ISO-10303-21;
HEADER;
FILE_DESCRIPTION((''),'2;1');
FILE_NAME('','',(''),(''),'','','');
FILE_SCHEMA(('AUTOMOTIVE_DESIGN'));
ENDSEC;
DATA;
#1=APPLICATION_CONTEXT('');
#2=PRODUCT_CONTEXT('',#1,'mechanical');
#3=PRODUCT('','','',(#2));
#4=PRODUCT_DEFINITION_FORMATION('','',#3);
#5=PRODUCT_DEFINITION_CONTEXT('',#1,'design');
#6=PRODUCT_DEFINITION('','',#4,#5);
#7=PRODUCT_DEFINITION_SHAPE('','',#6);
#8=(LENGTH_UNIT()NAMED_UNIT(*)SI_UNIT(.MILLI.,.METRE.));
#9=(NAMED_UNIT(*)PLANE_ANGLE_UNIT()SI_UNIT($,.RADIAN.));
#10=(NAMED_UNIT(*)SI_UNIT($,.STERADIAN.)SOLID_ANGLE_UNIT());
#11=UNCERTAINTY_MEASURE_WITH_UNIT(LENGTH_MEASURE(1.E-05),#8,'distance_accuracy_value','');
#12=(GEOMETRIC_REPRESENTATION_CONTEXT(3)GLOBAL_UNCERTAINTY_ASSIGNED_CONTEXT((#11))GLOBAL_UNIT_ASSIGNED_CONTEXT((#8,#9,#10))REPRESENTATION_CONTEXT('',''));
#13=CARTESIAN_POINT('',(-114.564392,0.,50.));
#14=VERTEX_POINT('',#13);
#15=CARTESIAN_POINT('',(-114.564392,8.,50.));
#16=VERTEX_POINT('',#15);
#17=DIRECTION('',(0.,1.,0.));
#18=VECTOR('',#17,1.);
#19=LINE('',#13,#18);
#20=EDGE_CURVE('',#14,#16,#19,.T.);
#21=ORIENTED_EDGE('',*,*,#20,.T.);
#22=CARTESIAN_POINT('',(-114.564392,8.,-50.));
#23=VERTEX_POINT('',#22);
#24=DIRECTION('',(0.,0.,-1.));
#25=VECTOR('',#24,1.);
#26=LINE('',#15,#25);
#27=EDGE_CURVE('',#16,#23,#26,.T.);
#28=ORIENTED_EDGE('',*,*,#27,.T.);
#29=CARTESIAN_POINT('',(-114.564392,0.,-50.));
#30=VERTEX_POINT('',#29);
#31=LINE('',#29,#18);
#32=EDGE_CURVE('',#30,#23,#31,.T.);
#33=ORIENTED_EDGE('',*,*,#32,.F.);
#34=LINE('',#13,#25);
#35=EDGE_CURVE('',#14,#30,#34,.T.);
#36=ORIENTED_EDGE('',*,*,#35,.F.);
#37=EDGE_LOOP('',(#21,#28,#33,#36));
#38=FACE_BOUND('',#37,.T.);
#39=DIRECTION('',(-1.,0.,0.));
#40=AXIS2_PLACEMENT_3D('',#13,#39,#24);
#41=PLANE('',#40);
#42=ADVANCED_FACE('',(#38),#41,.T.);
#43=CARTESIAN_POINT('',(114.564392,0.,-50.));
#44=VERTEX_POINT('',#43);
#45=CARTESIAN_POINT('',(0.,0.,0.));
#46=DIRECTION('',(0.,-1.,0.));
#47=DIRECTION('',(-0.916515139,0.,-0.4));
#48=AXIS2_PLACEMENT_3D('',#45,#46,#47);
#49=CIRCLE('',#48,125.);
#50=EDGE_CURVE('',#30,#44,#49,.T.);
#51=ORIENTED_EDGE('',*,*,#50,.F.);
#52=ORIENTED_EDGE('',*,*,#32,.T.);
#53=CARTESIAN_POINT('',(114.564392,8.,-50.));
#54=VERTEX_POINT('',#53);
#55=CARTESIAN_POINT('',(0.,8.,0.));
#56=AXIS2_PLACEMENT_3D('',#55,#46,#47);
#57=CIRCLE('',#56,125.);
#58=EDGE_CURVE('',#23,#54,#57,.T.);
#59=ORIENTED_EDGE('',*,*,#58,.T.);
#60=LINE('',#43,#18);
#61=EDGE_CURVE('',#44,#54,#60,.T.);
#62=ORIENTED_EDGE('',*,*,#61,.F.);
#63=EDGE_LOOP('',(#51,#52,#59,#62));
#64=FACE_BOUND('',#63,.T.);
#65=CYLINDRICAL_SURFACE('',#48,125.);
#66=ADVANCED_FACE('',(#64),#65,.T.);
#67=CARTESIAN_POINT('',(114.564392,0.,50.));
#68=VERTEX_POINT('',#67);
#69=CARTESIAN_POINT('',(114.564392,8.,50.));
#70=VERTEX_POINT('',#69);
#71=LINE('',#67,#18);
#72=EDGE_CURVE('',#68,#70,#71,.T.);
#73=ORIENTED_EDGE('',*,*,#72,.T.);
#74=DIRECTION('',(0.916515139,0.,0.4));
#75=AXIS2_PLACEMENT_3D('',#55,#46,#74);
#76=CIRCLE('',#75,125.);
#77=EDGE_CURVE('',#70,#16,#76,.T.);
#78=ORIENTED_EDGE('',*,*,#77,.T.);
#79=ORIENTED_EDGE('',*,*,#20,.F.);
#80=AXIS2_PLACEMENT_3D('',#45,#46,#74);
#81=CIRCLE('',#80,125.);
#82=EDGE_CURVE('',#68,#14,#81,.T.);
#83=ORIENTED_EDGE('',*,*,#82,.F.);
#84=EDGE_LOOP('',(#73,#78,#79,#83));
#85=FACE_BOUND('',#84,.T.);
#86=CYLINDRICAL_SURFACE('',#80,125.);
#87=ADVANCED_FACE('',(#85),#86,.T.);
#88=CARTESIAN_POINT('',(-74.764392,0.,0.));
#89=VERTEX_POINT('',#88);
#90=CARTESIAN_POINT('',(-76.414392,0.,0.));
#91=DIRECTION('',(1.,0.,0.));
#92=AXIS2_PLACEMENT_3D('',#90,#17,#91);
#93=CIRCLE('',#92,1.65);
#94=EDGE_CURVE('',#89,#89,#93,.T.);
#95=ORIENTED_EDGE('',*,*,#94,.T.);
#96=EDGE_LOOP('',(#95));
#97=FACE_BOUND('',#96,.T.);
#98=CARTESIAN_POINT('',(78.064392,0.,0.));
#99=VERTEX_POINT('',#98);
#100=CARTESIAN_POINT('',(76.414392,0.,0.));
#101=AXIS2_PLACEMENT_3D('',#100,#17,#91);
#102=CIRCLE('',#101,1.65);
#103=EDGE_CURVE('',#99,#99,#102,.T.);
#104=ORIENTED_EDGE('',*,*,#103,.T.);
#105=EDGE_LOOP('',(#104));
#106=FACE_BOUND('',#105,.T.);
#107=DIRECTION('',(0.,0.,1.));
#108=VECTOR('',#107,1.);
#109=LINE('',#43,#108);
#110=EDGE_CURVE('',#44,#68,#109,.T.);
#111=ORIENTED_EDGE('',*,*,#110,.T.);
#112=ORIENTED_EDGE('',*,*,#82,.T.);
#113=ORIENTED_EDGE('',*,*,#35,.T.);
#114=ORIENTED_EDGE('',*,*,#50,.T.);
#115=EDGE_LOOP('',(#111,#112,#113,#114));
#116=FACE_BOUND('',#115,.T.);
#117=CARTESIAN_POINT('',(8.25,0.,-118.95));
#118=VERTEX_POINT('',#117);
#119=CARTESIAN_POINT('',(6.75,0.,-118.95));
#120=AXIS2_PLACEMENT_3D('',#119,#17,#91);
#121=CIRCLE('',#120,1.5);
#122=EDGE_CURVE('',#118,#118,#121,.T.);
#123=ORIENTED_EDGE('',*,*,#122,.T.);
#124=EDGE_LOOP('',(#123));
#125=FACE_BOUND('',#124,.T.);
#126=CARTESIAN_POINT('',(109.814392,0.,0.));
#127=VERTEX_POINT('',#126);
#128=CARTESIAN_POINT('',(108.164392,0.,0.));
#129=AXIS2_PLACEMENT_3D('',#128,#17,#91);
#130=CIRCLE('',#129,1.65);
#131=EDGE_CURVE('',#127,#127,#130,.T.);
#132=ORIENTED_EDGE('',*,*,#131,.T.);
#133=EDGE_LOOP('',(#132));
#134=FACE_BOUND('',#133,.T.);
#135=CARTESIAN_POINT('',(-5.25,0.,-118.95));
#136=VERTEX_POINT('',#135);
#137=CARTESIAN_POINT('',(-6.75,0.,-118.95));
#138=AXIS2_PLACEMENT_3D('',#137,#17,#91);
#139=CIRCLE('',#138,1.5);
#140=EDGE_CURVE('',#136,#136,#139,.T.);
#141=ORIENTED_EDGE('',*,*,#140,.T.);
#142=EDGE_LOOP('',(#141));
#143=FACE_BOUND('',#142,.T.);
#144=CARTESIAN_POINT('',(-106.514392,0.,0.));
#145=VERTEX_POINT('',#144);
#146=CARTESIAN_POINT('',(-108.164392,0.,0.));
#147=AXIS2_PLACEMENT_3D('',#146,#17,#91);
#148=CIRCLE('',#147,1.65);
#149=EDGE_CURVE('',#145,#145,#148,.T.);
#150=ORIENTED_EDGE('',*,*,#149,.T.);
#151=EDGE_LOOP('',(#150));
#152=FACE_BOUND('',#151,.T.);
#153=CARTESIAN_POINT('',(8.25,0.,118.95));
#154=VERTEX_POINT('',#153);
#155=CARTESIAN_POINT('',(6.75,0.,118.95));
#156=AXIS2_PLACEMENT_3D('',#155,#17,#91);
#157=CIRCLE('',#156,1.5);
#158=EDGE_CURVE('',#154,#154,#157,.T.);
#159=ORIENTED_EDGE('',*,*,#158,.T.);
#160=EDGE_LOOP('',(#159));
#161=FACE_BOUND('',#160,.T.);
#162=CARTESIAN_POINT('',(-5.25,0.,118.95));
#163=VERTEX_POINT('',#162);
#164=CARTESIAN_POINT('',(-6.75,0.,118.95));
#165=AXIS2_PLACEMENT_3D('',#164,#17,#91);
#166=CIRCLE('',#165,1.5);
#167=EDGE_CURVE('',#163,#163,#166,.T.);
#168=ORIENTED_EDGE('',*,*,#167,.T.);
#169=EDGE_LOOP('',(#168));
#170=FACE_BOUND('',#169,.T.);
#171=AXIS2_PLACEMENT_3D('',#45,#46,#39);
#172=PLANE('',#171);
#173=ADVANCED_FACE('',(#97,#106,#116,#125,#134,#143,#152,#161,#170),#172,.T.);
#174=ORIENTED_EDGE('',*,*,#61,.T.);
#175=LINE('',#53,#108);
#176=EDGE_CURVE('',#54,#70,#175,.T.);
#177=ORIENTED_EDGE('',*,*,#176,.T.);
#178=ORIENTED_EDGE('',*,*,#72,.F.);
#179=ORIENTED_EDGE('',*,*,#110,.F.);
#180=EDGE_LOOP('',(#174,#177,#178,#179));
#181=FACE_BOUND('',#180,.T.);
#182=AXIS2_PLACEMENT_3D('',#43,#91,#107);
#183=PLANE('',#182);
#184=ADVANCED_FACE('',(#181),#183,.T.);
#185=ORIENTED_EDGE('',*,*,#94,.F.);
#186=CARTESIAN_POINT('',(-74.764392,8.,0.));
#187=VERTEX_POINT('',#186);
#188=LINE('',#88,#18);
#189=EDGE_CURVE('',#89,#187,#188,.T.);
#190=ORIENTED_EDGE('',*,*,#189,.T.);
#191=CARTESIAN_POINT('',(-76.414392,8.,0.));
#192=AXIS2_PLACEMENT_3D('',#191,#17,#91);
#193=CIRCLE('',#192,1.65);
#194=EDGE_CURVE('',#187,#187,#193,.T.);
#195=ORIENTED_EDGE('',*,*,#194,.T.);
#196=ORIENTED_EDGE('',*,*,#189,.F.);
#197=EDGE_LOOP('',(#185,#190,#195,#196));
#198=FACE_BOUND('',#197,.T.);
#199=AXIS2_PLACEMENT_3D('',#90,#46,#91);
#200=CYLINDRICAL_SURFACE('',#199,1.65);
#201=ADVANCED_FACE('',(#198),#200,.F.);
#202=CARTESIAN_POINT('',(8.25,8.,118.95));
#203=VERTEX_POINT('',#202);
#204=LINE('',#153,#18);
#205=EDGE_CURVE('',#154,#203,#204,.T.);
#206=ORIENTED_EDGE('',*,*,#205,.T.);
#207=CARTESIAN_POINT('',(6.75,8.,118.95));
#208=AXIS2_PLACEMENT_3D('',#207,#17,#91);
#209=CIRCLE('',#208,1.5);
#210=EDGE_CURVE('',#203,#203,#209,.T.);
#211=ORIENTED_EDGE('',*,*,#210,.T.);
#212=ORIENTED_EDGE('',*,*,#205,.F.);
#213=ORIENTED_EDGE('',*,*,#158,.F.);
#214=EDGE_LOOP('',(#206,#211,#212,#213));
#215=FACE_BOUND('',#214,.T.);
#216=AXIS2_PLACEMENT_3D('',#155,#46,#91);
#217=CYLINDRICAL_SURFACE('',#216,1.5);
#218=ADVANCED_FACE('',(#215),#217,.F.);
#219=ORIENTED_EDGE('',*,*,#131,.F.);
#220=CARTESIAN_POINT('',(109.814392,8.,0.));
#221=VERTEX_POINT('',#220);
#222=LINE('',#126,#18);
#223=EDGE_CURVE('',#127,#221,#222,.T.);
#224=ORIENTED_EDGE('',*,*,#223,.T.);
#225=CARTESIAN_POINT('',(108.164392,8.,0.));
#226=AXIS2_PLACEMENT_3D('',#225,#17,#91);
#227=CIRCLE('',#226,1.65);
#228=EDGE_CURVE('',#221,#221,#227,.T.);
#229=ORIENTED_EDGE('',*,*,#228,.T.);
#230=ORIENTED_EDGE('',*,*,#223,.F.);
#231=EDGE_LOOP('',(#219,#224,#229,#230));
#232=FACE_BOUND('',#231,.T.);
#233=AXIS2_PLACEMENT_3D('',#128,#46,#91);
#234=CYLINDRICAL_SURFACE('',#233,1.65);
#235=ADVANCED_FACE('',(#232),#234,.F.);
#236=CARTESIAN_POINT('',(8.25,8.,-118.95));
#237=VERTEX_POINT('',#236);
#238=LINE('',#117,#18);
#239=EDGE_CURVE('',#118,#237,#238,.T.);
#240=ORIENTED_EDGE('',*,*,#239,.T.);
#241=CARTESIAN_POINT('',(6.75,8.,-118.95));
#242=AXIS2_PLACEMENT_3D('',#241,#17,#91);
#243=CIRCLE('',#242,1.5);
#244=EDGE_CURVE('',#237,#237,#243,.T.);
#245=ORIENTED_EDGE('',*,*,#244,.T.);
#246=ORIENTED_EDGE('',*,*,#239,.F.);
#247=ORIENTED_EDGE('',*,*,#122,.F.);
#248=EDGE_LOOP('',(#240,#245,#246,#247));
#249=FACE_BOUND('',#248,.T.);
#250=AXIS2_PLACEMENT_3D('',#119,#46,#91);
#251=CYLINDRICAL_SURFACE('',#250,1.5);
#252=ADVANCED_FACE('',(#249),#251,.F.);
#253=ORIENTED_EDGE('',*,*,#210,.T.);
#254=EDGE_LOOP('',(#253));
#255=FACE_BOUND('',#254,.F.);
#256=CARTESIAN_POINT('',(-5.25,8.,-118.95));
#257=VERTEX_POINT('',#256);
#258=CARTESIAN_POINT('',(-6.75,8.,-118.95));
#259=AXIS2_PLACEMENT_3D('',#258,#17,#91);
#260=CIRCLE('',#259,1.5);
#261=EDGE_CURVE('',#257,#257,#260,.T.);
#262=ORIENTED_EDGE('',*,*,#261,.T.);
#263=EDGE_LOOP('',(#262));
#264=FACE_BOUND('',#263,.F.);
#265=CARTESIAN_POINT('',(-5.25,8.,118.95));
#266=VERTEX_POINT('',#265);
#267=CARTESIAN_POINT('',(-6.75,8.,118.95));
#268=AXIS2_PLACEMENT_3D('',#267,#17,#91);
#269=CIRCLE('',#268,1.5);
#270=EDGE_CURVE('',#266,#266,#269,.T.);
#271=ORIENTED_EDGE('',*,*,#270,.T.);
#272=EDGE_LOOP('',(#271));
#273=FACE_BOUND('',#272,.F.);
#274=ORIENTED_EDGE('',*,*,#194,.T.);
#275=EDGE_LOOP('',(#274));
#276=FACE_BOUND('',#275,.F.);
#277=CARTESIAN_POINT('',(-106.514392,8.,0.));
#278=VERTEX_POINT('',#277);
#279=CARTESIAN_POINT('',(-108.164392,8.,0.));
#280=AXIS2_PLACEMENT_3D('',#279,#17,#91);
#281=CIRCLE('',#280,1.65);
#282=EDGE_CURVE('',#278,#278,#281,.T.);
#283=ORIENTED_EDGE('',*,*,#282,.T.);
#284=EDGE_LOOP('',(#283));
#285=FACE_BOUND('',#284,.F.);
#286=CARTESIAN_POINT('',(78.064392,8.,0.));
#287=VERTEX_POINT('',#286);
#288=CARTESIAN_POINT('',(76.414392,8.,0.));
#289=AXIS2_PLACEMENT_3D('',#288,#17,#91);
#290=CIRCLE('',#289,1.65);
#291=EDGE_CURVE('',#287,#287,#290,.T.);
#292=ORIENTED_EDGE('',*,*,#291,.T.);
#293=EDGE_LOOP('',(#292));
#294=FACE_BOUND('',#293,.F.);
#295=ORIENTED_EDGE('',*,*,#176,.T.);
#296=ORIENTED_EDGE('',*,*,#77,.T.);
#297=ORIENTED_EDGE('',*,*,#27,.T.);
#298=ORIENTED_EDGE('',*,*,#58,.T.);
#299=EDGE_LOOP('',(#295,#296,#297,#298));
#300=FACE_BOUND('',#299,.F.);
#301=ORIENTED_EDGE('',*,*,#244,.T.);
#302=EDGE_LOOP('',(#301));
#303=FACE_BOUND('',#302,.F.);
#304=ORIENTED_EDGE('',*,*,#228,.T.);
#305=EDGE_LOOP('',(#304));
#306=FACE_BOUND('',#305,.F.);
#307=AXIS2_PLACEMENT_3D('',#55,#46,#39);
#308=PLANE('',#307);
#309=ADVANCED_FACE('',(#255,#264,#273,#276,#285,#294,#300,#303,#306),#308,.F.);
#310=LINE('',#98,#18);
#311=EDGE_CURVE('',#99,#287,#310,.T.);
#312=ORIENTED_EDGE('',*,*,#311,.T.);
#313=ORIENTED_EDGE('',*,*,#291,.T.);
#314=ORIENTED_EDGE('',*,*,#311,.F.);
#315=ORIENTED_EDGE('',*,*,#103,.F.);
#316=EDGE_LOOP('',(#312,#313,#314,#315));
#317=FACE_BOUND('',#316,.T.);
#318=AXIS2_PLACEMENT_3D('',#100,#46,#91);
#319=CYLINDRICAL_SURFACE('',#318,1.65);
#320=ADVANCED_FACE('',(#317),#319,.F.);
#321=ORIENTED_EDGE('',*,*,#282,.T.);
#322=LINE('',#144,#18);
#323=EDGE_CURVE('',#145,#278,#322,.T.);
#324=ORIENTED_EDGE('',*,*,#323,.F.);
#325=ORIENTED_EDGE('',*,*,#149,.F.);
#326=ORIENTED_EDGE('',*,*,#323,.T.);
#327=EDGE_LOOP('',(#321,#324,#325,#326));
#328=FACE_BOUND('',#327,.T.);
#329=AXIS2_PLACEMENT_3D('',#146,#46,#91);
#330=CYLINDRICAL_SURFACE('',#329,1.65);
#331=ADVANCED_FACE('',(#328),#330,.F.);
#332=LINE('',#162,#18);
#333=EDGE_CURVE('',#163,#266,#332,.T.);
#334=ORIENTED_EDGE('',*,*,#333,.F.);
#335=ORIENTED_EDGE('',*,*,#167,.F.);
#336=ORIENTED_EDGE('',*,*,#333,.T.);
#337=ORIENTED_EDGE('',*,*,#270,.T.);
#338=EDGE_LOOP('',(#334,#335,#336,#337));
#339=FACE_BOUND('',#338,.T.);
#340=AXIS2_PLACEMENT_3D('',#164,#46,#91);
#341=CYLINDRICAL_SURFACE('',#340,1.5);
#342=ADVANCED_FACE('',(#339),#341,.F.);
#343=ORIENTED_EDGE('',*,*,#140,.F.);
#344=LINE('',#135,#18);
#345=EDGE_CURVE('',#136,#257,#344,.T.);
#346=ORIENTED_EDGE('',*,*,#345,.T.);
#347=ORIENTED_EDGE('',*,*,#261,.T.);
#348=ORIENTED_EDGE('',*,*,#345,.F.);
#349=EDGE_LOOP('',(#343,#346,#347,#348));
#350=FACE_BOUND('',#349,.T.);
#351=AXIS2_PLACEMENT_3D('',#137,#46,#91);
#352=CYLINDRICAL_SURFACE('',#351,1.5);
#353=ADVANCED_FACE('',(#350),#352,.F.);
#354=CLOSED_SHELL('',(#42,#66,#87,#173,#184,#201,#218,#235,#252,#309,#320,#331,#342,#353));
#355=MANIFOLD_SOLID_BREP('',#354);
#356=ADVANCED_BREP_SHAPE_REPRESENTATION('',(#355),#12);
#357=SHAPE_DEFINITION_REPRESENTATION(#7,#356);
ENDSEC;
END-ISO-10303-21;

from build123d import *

# Parameters (mm, degrees)
CROQUIS1_R              = 1.65
CROQUIS1_R_2            = 1.5
SALIENTE_EXTRUIR1_DEPTH = 8


with BuildPart() as part:
    # Croquis1 → Saliente-Extruir1 (new body)
    with BuildSketch(Plane(origin=(0, 0, 0), x_dir=(1, 0, 0), z_dir=(0, 1, 0))):
        with BuildLine():
            Line((-114.564392374, -50), (-114.564392374, 50))
            ThreePointArc((-114.564392374, 50), (0, 125), (114.564392374, 50))
            Line((114.564392374, 50), (114.564392374, -50))
            ThreePointArc((114.564392374, -50), (0, -125), (-114.564392374, -50))
        make_face()
        with Locations((108.164392374, 0)):
            Circle(CROQUIS1_R, mode=Mode.SUBTRACT)
        with Locations((76.414392374, 0)):
            Circle(CROQUIS1_R, mode=Mode.SUBTRACT)
        with Locations((-108.164392374, 0)):
            Circle(CROQUIS1_R, mode=Mode.SUBTRACT)
        with Locations((-76.414392374, 0)):
            Circle(CROQUIS1_R, mode=Mode.SUBTRACT)
        with Locations((-6.75, 118.95)):
            Circle(CROQUIS1_R_2, mode=Mode.SUBTRACT)
        with Locations((6.75, 118.95)):
            Circle(CROQUIS1_R_2, mode=Mode.SUBTRACT)
        with Locations((6.75, -118.95)):
            Circle(CROQUIS1_R_2, mode=Mode.SUBTRACT)
        with Locations((-6.75, -118.95)):
            Circle(CROQUIS1_R_2, mode=Mode.SUBTRACT)
    extrude(amount=SALIENTE_EXTRUIR1_DEPTH)


solid = part.part
